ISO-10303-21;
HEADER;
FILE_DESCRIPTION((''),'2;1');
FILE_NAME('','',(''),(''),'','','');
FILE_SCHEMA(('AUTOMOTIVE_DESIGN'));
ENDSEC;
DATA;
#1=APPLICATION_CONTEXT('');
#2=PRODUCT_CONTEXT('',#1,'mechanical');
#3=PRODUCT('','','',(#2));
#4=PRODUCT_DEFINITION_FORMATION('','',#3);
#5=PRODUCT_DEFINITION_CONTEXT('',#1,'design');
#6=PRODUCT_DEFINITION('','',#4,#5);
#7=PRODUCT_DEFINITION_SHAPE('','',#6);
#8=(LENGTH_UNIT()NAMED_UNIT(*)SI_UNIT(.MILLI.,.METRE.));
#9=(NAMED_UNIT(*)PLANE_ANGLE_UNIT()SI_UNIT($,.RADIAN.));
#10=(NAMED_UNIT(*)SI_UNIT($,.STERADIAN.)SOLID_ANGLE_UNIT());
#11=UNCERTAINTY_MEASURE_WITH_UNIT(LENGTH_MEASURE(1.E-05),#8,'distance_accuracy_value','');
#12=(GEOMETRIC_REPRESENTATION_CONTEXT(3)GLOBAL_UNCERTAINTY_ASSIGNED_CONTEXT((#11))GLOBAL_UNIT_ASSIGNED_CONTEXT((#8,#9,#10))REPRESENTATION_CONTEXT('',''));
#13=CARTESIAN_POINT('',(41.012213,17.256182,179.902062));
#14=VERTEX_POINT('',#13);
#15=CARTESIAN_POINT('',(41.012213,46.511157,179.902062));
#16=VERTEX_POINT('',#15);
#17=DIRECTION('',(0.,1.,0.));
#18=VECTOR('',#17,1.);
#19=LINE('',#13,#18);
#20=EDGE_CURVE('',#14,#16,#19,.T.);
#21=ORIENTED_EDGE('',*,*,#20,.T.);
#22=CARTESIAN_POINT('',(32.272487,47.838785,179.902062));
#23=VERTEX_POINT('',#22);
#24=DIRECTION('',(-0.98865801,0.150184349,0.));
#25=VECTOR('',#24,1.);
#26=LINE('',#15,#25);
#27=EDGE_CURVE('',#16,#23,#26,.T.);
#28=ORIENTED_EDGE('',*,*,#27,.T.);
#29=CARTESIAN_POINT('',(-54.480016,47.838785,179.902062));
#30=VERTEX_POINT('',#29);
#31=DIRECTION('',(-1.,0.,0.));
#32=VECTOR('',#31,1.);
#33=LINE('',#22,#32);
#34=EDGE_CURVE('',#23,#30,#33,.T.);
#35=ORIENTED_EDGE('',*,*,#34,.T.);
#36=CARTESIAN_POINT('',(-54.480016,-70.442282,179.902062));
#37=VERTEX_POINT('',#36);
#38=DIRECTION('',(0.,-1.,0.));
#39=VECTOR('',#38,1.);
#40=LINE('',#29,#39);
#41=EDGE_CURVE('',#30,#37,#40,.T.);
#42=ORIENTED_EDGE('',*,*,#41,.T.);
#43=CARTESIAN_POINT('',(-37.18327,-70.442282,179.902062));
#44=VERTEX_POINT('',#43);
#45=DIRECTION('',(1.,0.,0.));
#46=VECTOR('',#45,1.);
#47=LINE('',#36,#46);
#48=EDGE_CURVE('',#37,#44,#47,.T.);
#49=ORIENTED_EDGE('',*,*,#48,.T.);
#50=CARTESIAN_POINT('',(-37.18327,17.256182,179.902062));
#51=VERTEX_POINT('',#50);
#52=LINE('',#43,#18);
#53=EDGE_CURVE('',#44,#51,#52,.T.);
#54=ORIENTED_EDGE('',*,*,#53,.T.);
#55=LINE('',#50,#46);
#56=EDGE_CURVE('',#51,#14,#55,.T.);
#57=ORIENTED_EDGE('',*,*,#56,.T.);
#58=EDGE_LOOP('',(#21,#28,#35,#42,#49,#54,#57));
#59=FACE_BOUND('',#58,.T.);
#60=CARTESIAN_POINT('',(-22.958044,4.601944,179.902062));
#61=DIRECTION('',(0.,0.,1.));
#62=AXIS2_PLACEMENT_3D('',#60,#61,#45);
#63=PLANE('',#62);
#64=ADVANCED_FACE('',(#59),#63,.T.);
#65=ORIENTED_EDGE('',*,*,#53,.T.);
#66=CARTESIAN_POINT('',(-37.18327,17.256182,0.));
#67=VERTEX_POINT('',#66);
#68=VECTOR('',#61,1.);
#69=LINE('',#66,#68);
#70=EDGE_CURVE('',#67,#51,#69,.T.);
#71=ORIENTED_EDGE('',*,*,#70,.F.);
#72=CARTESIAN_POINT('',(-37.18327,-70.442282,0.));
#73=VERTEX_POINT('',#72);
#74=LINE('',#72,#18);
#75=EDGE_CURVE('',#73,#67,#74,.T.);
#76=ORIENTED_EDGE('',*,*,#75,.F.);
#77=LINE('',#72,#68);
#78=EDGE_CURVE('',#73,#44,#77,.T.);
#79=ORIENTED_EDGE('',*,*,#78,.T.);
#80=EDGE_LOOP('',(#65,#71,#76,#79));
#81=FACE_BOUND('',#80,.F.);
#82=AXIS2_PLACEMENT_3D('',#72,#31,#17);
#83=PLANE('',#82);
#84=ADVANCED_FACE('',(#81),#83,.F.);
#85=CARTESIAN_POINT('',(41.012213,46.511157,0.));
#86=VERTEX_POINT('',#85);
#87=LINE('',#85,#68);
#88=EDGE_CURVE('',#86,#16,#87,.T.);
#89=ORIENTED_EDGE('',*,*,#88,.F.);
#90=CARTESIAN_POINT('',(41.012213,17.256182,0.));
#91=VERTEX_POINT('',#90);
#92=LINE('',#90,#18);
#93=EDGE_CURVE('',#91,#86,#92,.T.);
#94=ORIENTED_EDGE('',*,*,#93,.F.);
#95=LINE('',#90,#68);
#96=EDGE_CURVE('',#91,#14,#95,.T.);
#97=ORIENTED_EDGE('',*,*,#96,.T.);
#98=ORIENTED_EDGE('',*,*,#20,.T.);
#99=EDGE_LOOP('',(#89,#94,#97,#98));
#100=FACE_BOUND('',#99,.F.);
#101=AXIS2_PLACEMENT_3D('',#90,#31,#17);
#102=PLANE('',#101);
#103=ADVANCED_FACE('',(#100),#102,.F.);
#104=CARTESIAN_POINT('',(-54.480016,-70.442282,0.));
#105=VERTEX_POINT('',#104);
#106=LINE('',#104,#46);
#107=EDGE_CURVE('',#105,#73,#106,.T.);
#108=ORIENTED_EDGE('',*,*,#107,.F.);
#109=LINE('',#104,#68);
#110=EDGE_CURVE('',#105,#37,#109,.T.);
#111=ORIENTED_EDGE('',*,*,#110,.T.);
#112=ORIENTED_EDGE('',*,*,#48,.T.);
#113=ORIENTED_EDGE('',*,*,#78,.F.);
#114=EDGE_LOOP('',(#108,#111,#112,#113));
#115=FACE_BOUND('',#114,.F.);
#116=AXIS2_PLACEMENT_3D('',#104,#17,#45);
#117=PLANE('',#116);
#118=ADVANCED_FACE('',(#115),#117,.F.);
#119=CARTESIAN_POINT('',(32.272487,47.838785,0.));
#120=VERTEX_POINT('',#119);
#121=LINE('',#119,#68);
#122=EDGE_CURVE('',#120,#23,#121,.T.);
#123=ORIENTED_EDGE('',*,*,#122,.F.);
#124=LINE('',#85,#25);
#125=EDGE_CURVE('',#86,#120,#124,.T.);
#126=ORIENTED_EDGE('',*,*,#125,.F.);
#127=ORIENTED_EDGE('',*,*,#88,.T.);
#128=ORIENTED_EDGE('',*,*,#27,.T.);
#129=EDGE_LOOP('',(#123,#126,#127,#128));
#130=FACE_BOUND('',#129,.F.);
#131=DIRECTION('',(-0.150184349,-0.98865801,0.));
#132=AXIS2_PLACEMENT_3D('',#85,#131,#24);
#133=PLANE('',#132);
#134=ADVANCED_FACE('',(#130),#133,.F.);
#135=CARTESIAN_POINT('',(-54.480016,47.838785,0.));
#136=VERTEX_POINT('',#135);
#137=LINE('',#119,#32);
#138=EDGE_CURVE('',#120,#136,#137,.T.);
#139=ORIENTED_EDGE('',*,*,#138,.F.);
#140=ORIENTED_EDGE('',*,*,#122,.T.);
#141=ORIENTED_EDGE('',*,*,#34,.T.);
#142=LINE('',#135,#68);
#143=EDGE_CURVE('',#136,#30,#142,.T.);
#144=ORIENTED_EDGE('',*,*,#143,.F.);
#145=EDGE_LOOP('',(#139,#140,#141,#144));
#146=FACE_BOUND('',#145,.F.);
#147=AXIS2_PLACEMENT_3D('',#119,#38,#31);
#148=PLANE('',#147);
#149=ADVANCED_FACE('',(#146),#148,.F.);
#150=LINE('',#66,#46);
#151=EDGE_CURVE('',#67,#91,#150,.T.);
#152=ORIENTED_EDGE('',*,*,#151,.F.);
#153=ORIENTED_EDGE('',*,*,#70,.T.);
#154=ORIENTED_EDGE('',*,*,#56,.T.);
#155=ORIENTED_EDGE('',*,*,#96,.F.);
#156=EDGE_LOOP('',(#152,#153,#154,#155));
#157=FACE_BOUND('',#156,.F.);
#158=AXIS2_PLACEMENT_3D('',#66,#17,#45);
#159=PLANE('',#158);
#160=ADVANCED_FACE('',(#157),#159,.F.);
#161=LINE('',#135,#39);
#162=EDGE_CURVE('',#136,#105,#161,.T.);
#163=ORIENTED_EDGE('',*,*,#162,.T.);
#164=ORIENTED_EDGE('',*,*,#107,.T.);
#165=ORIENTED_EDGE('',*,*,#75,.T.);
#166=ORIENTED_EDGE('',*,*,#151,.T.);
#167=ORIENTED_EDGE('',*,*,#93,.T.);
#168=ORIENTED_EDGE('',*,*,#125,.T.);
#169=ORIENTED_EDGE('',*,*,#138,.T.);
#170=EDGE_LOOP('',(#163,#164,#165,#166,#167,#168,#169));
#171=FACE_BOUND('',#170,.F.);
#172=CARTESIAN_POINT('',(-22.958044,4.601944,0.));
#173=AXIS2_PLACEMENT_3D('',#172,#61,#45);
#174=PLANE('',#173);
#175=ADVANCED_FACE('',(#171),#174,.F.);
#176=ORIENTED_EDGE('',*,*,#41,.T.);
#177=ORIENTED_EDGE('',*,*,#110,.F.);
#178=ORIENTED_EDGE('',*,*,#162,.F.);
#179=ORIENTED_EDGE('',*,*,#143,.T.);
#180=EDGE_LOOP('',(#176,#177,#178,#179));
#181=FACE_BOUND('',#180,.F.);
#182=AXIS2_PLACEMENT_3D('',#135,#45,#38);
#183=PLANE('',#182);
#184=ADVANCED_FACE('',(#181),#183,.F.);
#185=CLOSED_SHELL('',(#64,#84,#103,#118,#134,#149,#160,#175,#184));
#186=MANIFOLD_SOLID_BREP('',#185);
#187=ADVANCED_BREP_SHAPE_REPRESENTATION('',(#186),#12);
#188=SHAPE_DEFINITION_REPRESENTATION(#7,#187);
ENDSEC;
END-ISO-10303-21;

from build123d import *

# Parameters (mm, degrees)
F2_DEPTH = 179.902062


with BuildPart() as f2:
    # F1 (on face) → F2 (new body)
    with BuildSketch(Plane.XY):
        Polygon((-37.18327, -70.442282), (-37.18327, 17.256182), (41.012213, 17.256182), (41.012213, 46.511157), (32.272487, 47.838785), (-54.480016, 47.838785), (-54.480016, -70.442282), align=None)
    extrude(amount=F2_DEPTH)


solid = f2.part
